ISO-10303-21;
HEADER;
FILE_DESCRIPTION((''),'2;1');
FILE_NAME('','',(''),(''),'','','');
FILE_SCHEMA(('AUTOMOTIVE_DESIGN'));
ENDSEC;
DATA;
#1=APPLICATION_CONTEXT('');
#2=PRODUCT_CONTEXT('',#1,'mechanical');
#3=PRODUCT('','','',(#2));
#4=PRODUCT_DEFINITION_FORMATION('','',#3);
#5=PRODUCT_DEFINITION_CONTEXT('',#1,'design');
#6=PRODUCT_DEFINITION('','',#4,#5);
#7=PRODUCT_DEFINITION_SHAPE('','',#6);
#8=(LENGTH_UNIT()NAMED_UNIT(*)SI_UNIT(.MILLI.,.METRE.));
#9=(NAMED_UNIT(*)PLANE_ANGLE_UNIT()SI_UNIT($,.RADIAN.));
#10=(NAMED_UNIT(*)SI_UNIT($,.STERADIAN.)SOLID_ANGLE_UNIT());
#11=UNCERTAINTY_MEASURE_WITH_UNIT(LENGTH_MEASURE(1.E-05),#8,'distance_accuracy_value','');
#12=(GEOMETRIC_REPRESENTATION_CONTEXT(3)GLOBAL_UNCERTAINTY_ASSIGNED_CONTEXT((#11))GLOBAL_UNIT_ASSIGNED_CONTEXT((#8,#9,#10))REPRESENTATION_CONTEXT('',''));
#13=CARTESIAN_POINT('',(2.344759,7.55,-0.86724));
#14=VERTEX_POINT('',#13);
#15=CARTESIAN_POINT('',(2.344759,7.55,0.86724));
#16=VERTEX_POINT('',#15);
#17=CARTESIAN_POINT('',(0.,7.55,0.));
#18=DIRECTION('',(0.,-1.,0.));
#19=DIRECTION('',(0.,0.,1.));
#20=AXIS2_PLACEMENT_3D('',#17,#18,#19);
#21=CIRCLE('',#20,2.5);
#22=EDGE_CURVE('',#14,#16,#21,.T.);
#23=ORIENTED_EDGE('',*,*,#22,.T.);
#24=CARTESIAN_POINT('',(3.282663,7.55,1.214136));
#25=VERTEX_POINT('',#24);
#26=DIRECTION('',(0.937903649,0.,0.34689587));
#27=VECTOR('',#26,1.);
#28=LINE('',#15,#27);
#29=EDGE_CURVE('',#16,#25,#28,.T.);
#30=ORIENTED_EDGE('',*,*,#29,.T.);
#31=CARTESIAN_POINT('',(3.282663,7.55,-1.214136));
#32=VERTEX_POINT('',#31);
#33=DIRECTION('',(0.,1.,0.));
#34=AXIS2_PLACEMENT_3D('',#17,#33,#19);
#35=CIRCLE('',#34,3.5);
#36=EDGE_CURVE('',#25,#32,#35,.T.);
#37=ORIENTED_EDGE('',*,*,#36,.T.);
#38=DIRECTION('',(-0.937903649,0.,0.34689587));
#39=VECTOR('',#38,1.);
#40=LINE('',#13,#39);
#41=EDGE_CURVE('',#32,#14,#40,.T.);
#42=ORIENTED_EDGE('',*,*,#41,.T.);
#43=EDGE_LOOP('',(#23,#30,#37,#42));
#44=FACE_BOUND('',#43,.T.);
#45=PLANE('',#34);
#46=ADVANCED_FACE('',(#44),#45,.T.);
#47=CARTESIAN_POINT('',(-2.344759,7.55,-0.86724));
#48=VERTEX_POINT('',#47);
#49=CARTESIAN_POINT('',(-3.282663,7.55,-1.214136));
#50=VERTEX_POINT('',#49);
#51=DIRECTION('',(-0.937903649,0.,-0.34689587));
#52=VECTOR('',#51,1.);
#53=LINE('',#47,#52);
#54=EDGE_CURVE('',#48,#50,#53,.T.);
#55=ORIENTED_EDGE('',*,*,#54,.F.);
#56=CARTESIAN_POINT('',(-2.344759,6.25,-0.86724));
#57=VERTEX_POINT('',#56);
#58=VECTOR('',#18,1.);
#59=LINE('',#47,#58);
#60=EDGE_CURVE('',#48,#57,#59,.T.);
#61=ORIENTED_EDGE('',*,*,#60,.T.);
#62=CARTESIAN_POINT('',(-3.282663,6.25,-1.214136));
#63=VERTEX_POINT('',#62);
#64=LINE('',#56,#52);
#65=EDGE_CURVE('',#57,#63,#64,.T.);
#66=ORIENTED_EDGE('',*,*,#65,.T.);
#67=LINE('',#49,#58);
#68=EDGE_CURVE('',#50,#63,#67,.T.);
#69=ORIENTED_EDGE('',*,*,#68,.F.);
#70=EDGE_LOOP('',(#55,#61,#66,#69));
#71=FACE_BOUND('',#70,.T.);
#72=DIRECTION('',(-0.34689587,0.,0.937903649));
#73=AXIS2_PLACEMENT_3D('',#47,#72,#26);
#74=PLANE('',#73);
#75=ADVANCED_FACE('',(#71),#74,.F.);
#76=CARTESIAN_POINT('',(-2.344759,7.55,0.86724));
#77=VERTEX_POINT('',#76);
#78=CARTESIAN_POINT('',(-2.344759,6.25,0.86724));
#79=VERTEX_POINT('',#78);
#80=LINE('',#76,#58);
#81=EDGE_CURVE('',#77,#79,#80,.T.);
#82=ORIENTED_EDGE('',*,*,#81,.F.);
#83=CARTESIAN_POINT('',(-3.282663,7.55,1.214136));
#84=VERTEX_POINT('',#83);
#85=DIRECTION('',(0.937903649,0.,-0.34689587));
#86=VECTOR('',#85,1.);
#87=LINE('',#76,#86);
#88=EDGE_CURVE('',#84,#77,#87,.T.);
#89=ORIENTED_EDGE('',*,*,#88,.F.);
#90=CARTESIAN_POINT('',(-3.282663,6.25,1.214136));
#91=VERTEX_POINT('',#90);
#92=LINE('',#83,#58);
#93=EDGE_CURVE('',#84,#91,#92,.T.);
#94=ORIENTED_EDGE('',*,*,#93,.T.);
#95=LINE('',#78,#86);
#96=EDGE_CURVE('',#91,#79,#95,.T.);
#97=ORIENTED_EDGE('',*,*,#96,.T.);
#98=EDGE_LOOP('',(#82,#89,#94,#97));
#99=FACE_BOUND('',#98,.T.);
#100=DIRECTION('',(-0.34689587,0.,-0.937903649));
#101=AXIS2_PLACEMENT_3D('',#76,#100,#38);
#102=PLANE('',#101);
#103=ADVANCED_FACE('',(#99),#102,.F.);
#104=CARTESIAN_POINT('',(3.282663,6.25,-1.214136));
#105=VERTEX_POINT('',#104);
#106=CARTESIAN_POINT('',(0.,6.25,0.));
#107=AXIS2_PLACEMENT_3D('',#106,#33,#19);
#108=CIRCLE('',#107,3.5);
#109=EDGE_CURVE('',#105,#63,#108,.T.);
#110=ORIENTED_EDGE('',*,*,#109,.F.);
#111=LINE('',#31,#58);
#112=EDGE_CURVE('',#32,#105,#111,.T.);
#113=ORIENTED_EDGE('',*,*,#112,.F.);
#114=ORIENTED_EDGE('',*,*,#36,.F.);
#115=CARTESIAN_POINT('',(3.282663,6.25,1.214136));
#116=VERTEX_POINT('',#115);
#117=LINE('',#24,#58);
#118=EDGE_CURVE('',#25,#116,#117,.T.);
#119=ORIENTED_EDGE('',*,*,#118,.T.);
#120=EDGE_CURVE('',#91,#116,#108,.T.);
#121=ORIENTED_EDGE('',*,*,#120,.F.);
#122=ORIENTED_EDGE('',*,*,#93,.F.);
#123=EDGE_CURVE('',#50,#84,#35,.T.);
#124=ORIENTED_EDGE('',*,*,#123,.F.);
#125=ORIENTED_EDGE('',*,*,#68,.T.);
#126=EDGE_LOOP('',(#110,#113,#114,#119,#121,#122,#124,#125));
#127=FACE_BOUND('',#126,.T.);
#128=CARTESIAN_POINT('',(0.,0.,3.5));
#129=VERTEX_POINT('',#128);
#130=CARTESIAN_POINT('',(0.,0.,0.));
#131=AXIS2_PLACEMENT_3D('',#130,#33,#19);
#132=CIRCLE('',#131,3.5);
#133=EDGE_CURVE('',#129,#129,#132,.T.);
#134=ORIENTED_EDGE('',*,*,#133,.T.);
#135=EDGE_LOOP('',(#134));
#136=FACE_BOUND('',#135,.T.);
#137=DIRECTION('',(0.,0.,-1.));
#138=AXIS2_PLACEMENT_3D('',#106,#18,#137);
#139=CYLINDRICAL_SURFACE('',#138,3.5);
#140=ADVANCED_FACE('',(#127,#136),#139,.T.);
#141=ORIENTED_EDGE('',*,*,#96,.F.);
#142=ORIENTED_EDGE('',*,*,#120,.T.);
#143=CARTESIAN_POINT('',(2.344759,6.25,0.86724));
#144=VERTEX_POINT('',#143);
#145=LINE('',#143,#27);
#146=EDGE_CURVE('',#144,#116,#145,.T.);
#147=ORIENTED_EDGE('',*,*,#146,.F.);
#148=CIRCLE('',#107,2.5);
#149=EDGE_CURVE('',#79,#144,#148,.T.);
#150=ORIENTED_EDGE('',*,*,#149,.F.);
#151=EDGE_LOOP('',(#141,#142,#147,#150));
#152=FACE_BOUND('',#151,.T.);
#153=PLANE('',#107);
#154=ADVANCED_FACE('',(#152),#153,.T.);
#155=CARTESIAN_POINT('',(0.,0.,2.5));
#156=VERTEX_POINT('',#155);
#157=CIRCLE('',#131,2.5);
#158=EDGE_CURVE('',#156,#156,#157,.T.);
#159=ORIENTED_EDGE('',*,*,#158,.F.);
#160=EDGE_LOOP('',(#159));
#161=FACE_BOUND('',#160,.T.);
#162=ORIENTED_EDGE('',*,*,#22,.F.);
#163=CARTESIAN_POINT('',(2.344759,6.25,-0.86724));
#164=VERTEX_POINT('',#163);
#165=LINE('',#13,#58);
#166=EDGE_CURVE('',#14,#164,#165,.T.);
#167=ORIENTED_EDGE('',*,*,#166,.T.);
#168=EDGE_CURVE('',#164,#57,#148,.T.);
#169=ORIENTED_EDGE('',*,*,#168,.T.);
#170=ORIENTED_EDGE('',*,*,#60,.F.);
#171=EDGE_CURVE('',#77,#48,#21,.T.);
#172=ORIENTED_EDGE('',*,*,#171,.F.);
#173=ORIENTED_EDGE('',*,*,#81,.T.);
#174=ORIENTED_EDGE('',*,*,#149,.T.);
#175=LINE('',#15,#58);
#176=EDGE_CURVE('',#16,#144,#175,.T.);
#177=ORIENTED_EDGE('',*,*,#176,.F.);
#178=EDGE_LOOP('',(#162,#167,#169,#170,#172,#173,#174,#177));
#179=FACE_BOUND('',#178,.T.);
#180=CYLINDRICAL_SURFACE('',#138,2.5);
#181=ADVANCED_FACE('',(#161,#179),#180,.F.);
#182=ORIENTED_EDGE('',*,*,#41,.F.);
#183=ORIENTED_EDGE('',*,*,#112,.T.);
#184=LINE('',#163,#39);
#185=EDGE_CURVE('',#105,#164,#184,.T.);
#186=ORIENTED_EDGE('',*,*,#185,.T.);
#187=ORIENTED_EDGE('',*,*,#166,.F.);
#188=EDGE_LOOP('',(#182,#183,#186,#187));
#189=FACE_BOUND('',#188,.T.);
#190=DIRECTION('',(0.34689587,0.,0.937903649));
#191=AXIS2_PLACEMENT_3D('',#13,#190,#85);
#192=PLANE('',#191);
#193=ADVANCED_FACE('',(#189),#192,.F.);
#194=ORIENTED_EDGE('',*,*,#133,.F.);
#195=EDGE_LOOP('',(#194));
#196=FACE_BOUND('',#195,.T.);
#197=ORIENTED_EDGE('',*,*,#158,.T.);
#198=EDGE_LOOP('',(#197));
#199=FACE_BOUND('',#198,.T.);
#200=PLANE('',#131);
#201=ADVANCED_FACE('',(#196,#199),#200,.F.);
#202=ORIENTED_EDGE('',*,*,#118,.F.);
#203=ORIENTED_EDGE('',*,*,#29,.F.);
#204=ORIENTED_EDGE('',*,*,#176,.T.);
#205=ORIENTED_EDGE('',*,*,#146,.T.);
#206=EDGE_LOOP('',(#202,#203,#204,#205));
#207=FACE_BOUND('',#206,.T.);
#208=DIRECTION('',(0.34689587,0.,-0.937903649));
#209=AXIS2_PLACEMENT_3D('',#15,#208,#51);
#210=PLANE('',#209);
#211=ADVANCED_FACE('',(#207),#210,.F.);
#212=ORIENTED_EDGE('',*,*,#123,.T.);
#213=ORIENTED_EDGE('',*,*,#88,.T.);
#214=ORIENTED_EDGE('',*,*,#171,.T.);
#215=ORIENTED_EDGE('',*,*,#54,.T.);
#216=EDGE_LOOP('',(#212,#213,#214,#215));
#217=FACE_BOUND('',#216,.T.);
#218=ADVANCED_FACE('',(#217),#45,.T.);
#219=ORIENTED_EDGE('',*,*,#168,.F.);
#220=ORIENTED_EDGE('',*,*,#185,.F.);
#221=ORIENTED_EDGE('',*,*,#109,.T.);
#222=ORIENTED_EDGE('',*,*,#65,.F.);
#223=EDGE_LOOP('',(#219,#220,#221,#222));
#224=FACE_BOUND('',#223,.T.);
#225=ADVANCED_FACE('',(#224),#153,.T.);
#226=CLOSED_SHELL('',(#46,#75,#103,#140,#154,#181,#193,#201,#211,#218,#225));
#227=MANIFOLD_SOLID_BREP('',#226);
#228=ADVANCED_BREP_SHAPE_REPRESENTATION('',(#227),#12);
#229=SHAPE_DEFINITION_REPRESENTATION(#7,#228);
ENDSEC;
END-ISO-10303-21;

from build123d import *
from build123d.topology import SkipClean

# Parameters (mm, degrees)
SKETCH1_R           = 3.5
SKETCH1_R_2         = 2.5
BOSS_EXTRUDE1_DEPTH = 6.25
BOSS_EXTRUDE2_DEPTH = 1.3


with BuildPart() as part:
    # Sketch1 → Boss-Extrude1 (new body)
    with BuildSketch(Plane(origin=(0, 0, 0), x_dir=(1, 0, 0), z_dir=(0, 1, 0))):
        with Locations(Location((0, 0, 0), (0, 0, 270))):
            Circle(SKETCH1_R)
        with Locations(Location((0, 0, 0), (0, 0, 270))):
            Circle(SKETCH1_R_2, mode=Mode.SUBTRACT)
    extrude(amount=BOSS_EXTRUDE1_DEPTH)

    # Sketch2 → Boss-Extrude2 (add)
    with SkipClean():  # the faces are left unmerged after this step: merging them gives an invalid solid
        with BuildSketch(Plane(origin=(0, 6.25, 0), x_dir=(1, 0, 0), z_dir=(0, 1, 0))):
            with BuildLine():
                Line((2.344759123, 0.867239676), (3.282662772, 1.214135546))
                ThreePointArc((3.282662772, 1.214135546), (3.5, 0), (3.282662772, -1.214135546))
                Line((3.282662772, -1.214135546), (2.344759123, -0.867239676))
                ThreePointArc((2.344759123, -0.867239676), (2.5, 0), (2.344759123, 0.867239676))
            make_face()
            with BuildLine():
                Line((-2.344759123, -0.867239676), (-3.282662772, -1.214135546))
                ThreePointArc((-3.282662772, -1.214135546), (-3.5, 0), (-3.282662772, 1.214135546))
                Line((-3.282662772, 1.214135546), (-2.344759123, 0.867239676))
                ThreePointArc((-2.344759123, 0.867239676), (-2.5, 0), (-2.344759123, -0.867239676))
            make_face()
        extrude(amount=BOSS_EXTRUDE2_DEPTH)


solid = part.part
